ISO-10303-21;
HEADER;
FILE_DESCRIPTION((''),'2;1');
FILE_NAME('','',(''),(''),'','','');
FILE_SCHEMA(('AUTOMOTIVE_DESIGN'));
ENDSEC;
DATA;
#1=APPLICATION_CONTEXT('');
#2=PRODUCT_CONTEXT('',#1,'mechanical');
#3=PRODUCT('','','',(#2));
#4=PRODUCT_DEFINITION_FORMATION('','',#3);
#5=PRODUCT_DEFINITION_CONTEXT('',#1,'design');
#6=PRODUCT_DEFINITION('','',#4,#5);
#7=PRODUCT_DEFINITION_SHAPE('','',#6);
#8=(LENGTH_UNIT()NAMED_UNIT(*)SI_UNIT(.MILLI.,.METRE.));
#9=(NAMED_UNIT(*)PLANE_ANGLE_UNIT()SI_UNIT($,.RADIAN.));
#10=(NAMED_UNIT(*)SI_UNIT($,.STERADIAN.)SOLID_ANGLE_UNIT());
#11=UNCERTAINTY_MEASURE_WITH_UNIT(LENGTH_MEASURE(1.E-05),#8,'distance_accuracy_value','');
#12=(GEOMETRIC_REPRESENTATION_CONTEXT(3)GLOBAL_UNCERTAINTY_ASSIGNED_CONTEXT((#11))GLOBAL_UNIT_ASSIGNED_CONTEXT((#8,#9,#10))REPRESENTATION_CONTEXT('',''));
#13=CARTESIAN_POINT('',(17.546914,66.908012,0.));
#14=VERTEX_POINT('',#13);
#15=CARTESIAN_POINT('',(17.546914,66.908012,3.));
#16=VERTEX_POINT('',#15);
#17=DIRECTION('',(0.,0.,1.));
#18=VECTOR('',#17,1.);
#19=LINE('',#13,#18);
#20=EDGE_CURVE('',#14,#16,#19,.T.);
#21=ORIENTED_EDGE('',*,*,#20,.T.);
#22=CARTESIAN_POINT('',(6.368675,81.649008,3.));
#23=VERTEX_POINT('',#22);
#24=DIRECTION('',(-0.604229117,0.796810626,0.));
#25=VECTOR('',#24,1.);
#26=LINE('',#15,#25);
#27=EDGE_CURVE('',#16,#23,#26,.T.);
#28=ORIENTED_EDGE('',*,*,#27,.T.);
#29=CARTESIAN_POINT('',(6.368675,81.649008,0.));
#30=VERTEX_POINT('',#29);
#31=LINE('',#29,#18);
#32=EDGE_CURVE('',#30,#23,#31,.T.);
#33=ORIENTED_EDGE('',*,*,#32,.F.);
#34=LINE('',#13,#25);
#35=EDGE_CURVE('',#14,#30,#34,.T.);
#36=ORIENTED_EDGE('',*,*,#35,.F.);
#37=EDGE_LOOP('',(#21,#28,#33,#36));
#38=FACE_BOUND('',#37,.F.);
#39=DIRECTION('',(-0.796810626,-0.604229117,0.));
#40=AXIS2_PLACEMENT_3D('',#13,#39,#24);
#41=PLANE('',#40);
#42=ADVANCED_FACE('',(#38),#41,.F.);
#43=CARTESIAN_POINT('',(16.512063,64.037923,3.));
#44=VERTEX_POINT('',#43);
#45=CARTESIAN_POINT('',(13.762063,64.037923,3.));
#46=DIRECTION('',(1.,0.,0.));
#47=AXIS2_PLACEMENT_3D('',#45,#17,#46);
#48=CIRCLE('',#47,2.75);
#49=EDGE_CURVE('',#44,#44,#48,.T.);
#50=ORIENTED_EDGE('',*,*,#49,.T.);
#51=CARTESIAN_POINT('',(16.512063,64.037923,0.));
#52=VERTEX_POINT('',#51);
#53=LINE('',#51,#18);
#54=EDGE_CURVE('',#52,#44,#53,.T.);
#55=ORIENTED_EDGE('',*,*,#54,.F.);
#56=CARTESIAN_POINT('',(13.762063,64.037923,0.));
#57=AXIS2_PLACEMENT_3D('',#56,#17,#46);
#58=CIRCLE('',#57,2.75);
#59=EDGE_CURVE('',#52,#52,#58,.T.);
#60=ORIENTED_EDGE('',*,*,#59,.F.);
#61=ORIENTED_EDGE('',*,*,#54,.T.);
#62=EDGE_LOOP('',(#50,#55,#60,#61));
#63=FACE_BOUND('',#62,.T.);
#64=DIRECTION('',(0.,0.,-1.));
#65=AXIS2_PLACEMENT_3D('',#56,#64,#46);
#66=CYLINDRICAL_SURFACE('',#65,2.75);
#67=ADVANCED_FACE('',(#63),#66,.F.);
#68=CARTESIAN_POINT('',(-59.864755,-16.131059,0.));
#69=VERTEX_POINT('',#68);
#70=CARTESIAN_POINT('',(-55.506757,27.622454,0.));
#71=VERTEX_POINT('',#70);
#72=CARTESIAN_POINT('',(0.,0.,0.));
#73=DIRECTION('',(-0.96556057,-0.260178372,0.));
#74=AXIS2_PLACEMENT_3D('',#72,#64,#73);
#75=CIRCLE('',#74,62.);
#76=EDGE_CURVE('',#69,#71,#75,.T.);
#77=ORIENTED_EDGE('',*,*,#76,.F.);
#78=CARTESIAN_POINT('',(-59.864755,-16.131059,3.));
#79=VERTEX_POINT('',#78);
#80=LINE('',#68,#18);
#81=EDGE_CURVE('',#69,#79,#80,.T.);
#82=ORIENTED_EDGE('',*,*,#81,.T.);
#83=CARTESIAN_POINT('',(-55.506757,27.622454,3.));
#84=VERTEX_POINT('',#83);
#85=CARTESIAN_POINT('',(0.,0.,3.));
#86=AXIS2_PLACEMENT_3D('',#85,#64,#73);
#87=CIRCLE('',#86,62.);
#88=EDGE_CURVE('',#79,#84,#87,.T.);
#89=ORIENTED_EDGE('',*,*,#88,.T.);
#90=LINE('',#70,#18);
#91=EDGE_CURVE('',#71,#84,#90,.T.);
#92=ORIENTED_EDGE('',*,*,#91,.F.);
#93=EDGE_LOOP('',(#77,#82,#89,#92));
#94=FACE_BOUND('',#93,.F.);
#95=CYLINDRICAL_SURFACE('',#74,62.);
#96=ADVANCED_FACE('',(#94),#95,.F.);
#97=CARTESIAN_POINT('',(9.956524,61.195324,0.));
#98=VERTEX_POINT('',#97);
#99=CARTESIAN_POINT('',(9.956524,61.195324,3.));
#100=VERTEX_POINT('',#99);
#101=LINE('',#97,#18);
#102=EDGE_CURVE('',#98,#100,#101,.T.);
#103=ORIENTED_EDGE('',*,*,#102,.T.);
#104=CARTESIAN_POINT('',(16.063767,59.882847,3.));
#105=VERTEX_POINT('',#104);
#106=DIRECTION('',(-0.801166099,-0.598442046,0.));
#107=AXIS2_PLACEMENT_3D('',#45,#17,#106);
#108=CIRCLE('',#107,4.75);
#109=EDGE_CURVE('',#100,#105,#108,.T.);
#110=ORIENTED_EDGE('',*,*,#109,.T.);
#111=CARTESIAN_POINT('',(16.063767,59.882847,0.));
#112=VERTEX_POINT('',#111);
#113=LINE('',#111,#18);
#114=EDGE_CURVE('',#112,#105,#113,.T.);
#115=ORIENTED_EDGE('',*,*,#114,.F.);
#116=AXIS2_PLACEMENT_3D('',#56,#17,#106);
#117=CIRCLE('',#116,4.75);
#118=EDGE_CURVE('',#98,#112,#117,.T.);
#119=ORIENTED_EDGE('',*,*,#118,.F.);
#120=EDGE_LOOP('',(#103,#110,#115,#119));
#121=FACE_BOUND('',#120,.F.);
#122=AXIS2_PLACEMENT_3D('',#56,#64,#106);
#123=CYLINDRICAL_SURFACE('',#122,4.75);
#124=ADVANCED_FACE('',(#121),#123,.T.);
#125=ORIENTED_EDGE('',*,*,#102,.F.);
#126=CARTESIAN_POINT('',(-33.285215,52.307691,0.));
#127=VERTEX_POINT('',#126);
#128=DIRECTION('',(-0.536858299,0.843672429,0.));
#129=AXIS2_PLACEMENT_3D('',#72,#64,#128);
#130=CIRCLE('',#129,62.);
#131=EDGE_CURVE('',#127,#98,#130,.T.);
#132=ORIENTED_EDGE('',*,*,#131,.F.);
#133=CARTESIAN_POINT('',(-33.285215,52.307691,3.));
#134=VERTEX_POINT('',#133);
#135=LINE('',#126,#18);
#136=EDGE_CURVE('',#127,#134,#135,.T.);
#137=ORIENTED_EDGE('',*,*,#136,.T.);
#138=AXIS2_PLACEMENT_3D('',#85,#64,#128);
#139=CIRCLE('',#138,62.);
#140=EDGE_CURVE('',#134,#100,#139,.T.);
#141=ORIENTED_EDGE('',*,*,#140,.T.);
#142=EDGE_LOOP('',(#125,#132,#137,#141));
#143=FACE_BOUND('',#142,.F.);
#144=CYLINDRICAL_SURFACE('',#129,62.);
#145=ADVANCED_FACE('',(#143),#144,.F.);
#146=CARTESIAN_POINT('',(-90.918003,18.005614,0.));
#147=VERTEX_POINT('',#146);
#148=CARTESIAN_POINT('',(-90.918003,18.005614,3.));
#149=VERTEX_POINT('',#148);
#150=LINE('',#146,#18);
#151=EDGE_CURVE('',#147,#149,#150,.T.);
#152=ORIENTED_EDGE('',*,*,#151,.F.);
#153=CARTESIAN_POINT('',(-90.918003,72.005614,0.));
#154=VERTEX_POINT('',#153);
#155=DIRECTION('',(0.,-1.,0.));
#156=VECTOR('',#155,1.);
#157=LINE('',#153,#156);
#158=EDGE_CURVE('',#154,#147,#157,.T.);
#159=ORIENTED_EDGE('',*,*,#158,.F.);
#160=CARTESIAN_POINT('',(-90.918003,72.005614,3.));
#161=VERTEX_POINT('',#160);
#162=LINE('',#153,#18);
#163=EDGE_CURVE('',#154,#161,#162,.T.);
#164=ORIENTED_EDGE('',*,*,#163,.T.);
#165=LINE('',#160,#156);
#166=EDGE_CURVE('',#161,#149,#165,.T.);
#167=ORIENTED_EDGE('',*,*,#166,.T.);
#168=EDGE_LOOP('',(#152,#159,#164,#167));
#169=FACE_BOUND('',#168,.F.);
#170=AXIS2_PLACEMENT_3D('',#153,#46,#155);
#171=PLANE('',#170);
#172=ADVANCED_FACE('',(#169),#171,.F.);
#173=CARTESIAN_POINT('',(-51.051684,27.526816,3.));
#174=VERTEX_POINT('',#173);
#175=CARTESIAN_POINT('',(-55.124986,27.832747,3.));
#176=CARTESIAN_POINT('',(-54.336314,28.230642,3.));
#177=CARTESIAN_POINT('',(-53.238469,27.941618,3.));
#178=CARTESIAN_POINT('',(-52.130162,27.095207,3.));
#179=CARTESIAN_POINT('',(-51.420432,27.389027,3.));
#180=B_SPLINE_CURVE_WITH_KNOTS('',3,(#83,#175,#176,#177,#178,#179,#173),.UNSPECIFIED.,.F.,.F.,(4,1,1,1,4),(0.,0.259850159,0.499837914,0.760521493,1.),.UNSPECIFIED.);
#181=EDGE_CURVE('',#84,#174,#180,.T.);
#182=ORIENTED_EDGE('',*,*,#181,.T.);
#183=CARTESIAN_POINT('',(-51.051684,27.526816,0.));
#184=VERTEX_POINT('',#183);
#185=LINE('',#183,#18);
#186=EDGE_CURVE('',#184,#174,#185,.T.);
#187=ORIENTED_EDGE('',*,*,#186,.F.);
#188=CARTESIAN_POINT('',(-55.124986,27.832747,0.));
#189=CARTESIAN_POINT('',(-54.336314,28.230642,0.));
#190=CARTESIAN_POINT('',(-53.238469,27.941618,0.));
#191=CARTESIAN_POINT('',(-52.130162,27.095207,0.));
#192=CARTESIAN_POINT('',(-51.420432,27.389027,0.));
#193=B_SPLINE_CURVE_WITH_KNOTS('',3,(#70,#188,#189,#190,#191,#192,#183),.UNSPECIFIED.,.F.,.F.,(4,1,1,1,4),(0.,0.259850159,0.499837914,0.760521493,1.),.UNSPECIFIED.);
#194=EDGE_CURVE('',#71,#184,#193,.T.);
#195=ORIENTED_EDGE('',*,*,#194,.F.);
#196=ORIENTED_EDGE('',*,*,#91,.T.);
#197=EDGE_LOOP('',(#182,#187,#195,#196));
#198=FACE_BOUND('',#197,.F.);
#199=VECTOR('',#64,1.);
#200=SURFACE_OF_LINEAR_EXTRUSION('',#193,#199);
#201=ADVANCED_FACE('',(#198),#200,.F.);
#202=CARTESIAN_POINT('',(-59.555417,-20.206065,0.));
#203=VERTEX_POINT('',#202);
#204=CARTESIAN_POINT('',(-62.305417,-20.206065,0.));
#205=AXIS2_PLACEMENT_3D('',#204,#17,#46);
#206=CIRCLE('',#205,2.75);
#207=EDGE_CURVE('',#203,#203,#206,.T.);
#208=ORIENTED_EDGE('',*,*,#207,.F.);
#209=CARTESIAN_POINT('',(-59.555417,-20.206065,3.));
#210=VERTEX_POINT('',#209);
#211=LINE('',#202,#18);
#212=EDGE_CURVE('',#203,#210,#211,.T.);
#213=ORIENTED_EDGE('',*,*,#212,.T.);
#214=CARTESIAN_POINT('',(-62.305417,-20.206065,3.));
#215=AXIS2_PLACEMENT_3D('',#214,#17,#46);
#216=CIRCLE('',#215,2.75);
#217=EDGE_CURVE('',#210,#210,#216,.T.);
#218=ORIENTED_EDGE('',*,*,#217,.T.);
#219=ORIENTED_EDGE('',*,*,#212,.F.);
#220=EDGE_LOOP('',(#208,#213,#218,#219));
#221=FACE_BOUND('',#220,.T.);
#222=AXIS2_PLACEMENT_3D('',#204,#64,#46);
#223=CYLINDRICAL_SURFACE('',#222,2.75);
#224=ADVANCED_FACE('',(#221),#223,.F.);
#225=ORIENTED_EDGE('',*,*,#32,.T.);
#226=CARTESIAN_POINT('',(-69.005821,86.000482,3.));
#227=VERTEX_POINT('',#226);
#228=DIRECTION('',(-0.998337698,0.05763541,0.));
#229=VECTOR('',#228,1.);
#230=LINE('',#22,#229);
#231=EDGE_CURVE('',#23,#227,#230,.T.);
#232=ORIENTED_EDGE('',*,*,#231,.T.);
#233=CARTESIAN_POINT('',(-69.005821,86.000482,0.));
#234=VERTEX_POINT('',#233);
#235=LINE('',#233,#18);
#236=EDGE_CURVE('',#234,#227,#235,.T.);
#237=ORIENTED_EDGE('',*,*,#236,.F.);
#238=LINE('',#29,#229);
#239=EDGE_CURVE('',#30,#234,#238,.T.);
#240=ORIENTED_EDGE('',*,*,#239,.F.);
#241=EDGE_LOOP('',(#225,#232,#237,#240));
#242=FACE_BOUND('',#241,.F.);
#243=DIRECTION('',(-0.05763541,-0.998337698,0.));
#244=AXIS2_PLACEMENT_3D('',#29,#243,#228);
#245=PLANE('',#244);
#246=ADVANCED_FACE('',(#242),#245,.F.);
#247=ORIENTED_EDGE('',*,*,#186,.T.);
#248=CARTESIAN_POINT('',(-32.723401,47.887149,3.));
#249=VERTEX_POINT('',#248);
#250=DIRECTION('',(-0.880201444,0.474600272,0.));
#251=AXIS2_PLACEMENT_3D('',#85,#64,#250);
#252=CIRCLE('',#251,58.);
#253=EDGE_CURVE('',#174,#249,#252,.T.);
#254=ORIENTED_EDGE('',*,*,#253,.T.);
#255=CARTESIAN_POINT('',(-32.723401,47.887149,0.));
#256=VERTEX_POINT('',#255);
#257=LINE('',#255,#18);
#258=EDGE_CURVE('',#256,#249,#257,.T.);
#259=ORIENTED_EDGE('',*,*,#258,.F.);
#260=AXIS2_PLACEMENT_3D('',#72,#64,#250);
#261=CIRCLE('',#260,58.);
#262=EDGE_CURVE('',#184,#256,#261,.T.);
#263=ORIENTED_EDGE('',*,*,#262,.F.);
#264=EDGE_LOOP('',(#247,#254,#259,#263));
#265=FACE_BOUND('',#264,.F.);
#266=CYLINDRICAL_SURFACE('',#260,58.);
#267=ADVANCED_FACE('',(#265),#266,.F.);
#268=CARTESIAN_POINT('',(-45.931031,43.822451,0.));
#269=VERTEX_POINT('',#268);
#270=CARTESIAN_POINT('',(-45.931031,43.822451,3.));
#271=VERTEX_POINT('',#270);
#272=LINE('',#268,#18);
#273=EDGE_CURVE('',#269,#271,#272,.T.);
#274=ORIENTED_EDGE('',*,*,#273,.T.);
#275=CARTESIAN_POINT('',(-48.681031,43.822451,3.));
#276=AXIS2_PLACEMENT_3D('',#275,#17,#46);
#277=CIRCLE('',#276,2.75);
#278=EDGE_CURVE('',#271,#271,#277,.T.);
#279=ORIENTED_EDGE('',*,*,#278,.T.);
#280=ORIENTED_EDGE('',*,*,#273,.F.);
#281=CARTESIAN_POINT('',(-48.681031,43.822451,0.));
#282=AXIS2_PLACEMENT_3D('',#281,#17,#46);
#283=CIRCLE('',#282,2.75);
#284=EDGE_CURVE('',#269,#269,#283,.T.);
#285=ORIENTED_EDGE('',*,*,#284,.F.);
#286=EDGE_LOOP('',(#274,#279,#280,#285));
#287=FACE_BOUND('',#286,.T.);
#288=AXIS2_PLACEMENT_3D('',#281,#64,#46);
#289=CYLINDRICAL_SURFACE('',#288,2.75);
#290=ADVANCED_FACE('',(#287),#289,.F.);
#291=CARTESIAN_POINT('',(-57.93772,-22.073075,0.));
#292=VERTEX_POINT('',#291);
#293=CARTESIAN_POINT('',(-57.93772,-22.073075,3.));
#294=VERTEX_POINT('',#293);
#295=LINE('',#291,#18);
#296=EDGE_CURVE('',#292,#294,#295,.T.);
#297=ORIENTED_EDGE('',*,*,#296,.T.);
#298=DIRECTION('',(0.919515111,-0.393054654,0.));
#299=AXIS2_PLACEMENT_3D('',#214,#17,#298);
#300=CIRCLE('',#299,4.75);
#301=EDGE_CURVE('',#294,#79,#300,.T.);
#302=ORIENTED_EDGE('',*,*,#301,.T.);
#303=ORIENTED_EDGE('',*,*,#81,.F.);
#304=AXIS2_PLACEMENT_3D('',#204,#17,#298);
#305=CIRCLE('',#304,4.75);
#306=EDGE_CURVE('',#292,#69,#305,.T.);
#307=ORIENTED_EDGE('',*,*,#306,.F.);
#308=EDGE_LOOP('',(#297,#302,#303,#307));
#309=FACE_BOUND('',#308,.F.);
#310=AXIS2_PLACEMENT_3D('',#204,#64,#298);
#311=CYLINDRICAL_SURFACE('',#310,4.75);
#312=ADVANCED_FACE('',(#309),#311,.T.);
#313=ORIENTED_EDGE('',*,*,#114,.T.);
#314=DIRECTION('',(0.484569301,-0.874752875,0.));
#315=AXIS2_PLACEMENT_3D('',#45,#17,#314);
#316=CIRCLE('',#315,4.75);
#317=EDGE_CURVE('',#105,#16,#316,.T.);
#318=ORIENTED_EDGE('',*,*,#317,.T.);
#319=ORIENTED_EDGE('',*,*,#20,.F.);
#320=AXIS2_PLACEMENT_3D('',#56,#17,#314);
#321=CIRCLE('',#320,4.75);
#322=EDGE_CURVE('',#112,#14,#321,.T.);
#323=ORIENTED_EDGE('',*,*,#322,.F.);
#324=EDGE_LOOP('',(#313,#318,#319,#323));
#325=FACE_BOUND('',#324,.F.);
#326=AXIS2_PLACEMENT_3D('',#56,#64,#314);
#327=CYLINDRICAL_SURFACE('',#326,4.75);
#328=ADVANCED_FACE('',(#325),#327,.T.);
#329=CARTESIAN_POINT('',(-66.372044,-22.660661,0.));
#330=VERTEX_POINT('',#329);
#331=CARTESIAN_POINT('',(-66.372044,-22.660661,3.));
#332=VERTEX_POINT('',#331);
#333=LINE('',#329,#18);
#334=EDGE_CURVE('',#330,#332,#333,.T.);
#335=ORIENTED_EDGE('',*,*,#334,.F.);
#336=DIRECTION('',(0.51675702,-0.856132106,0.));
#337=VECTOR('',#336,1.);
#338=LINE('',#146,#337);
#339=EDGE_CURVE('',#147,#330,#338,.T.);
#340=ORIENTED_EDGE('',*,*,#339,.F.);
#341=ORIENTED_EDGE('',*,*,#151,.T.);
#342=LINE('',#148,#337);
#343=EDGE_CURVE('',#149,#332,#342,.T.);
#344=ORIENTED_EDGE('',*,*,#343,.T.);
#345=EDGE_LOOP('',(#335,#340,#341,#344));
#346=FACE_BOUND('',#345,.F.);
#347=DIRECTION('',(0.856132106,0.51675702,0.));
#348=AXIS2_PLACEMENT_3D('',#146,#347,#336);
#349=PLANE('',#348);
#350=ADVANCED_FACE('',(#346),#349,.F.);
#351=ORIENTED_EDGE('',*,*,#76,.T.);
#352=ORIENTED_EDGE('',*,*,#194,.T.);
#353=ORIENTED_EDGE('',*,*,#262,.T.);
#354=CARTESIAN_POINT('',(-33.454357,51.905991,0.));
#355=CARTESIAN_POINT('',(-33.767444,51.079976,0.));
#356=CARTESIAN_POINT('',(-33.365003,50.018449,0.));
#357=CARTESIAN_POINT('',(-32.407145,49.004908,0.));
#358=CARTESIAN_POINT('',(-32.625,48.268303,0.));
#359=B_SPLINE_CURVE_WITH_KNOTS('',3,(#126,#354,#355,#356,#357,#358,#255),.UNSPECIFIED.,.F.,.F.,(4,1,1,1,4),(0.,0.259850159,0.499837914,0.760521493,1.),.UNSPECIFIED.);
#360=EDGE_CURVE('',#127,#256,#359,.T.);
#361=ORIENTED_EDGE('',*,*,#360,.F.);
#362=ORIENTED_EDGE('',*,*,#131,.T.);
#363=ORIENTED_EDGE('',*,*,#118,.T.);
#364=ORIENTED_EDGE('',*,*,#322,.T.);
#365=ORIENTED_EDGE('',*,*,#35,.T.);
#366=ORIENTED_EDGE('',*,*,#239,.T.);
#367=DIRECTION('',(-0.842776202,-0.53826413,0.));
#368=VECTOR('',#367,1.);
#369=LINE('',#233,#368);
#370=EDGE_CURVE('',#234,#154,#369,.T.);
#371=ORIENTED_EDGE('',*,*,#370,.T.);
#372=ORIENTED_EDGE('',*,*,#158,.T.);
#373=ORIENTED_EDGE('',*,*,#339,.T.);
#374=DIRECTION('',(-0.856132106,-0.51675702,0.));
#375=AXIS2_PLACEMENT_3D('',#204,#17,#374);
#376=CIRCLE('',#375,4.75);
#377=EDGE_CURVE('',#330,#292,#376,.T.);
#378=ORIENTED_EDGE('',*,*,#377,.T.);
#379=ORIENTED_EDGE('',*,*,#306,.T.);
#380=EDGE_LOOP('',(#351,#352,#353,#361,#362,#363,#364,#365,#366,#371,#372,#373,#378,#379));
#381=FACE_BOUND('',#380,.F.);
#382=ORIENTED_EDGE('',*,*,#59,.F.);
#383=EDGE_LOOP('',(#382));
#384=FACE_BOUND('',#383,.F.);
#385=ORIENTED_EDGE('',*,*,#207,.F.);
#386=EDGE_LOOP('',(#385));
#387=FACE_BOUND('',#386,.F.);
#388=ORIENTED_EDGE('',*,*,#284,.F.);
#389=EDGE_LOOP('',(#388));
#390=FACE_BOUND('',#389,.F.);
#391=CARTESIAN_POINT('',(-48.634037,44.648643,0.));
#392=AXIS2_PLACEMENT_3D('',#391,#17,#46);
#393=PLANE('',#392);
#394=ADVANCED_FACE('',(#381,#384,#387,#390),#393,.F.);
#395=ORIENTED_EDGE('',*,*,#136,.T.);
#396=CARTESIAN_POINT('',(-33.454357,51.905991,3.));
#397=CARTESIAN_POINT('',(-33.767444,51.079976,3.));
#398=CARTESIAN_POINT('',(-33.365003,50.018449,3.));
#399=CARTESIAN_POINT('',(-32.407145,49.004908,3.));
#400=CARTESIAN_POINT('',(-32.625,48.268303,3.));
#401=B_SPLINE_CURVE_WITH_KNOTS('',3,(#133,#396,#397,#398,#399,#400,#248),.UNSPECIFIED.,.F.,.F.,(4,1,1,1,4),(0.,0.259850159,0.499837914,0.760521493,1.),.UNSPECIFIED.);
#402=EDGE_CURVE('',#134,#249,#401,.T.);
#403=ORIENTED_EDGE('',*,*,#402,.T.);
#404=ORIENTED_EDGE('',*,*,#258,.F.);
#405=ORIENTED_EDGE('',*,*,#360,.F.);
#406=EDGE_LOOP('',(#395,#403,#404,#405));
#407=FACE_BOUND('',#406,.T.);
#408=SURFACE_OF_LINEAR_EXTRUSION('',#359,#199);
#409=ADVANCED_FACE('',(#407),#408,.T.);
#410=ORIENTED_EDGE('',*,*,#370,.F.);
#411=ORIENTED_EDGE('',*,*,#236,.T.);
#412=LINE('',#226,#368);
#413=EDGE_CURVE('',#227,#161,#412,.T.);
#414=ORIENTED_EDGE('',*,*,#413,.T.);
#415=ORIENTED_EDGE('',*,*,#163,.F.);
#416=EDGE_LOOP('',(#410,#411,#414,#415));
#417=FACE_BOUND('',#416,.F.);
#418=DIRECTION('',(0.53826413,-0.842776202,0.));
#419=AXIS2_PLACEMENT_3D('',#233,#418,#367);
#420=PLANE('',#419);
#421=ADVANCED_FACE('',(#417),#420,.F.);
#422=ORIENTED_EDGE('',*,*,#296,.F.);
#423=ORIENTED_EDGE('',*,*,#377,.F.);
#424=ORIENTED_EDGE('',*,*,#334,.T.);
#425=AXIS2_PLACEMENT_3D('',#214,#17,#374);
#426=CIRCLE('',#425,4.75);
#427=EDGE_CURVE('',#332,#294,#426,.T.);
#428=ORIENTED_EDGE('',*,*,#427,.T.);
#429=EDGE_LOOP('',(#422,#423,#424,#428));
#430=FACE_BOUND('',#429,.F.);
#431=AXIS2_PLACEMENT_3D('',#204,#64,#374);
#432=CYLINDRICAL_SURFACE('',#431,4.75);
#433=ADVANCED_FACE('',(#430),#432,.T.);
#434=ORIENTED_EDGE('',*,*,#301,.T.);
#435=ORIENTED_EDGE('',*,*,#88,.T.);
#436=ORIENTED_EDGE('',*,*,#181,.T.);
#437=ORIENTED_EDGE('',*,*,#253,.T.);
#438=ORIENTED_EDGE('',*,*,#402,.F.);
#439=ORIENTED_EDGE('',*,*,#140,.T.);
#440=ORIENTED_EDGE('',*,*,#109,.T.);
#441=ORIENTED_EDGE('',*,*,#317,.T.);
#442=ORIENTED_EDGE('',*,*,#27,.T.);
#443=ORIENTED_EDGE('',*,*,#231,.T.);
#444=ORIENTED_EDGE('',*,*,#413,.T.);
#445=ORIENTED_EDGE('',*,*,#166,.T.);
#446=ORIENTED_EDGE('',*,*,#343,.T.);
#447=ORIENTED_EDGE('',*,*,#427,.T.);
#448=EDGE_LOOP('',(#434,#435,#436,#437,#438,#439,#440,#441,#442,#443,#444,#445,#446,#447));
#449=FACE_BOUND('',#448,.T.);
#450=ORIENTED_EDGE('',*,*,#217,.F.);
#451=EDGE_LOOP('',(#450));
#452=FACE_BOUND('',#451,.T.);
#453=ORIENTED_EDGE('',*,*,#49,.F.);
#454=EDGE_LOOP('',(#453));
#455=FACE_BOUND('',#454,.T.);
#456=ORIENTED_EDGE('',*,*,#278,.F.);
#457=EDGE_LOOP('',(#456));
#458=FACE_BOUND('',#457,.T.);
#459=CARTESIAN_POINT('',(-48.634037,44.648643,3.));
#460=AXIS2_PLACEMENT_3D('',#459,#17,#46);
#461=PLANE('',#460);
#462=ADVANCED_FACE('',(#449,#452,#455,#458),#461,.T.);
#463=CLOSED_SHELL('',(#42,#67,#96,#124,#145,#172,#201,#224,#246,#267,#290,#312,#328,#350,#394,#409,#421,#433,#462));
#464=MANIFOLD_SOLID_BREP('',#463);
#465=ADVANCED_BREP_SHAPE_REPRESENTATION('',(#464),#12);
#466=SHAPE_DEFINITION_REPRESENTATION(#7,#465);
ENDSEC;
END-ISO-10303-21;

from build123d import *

# Parameters (mm, degrees)
F0_R     = 2.75
F1_DEPTH = 3


with BuildPart() as f1:
    # F0 (on Top) → F1 (new body)
    with BuildSketch(Plane.XY):
        with BuildLine():
            ThreePointArc((-51.0516837363, 27.5268157927), (-43.1068670644, 38.8046132811), (-32.7234007623, 47.8871490335))
            add(Edge.make_bspline(
                [(-33.2852145409, 52.3076905719), (-33.4543571655, 51.9059910499), (-33.7674435548, 51.0799755079), (-33.3650028775, 50.0184489109), (-32.407144953, 49.0049076055), (-32.6249996267, 48.2683027404), (-32.7234007623, 47.8871490335)],
                knots=[0, 0, 0, 0, 0.2598501594, 0.4998379143, 0.7605214926, 1, 1, 1, 1], degree=3))
            ThreePointArc((-33.2852145409, 52.3076905719), (-12.4821654495, 60.73051577), (9.9565241185, 61.1953235752))
            ThreePointArc((9.9565241185, 61.1953235752), (12.7640508795, 59.3939517556), (16.0637672694, 59.882847136))
            ThreePointArc((16.0637672694, 59.882847136), (18.4096184485, 63.056735658), (17.5469135613, 66.9080116001))
            Line((17.5469135613, 66.9080116001), (6.3686748879, 81.6490081797))
            Line((6.3686748879, 81.6490081797), (-69.0058213203, 86.0004816489))
            Line((-69.0058213203, 86.0004816489), (-90.9180025666, 72.0056142672))
            Line((-90.9180025666, 72.0056142672), (-90.9180025666, 18.0056142672))
            Line((-90.9180025666, 18.0056142672), (-66.3720441269, -22.6606607562))
            ThreePointArc((-66.3720441269, -22.6606607562), (-61.9753028968, -24.9445799673), (-57.9377198486, -22.0730745194))
            ThreePointArc((-57.9377198486, -22.0730745194), (-57.7870848846, -18.7407395942), (-59.8647553488, -16.1310590795))
            ThreePointArc((-59.8647553488, -16.1310590795), (-61.6947236303, 6.1450041646), (-55.506756753, 27.6224538151))
            add(Edge.make_bspline(
                [(-55.506756753, 27.6224538151), (-55.1249864063, 27.8327467911), (-54.3363138876, 28.2306417786), (-53.2384693692, 27.9416182012), (-52.1301620375, 27.0952065756), (-51.4204320113, 27.3890273988), (-51.0516837363, 27.5268157927)],
                knots=[0, 0, 0, 0, 0.2598501594, 0.4998379143, 0.7605214926, 1, 1, 1, 1], degree=3))
        make_face()
        with Locations((-62.3054166246, -20.2060649122)):
            Circle(F0_R, mode=Mode.SUBTRACT)
        with Locations((-48.6810309089, 43.8224512054)):
            Circle(F0_R, mode=Mode.SUBTRACT)
        with Locations((13.7620630882, 64.037923292)):
            Circle(F0_R, mode=Mode.SUBTRACT)
    extrude(amount=F1_DEPTH)


solid = f1.part
